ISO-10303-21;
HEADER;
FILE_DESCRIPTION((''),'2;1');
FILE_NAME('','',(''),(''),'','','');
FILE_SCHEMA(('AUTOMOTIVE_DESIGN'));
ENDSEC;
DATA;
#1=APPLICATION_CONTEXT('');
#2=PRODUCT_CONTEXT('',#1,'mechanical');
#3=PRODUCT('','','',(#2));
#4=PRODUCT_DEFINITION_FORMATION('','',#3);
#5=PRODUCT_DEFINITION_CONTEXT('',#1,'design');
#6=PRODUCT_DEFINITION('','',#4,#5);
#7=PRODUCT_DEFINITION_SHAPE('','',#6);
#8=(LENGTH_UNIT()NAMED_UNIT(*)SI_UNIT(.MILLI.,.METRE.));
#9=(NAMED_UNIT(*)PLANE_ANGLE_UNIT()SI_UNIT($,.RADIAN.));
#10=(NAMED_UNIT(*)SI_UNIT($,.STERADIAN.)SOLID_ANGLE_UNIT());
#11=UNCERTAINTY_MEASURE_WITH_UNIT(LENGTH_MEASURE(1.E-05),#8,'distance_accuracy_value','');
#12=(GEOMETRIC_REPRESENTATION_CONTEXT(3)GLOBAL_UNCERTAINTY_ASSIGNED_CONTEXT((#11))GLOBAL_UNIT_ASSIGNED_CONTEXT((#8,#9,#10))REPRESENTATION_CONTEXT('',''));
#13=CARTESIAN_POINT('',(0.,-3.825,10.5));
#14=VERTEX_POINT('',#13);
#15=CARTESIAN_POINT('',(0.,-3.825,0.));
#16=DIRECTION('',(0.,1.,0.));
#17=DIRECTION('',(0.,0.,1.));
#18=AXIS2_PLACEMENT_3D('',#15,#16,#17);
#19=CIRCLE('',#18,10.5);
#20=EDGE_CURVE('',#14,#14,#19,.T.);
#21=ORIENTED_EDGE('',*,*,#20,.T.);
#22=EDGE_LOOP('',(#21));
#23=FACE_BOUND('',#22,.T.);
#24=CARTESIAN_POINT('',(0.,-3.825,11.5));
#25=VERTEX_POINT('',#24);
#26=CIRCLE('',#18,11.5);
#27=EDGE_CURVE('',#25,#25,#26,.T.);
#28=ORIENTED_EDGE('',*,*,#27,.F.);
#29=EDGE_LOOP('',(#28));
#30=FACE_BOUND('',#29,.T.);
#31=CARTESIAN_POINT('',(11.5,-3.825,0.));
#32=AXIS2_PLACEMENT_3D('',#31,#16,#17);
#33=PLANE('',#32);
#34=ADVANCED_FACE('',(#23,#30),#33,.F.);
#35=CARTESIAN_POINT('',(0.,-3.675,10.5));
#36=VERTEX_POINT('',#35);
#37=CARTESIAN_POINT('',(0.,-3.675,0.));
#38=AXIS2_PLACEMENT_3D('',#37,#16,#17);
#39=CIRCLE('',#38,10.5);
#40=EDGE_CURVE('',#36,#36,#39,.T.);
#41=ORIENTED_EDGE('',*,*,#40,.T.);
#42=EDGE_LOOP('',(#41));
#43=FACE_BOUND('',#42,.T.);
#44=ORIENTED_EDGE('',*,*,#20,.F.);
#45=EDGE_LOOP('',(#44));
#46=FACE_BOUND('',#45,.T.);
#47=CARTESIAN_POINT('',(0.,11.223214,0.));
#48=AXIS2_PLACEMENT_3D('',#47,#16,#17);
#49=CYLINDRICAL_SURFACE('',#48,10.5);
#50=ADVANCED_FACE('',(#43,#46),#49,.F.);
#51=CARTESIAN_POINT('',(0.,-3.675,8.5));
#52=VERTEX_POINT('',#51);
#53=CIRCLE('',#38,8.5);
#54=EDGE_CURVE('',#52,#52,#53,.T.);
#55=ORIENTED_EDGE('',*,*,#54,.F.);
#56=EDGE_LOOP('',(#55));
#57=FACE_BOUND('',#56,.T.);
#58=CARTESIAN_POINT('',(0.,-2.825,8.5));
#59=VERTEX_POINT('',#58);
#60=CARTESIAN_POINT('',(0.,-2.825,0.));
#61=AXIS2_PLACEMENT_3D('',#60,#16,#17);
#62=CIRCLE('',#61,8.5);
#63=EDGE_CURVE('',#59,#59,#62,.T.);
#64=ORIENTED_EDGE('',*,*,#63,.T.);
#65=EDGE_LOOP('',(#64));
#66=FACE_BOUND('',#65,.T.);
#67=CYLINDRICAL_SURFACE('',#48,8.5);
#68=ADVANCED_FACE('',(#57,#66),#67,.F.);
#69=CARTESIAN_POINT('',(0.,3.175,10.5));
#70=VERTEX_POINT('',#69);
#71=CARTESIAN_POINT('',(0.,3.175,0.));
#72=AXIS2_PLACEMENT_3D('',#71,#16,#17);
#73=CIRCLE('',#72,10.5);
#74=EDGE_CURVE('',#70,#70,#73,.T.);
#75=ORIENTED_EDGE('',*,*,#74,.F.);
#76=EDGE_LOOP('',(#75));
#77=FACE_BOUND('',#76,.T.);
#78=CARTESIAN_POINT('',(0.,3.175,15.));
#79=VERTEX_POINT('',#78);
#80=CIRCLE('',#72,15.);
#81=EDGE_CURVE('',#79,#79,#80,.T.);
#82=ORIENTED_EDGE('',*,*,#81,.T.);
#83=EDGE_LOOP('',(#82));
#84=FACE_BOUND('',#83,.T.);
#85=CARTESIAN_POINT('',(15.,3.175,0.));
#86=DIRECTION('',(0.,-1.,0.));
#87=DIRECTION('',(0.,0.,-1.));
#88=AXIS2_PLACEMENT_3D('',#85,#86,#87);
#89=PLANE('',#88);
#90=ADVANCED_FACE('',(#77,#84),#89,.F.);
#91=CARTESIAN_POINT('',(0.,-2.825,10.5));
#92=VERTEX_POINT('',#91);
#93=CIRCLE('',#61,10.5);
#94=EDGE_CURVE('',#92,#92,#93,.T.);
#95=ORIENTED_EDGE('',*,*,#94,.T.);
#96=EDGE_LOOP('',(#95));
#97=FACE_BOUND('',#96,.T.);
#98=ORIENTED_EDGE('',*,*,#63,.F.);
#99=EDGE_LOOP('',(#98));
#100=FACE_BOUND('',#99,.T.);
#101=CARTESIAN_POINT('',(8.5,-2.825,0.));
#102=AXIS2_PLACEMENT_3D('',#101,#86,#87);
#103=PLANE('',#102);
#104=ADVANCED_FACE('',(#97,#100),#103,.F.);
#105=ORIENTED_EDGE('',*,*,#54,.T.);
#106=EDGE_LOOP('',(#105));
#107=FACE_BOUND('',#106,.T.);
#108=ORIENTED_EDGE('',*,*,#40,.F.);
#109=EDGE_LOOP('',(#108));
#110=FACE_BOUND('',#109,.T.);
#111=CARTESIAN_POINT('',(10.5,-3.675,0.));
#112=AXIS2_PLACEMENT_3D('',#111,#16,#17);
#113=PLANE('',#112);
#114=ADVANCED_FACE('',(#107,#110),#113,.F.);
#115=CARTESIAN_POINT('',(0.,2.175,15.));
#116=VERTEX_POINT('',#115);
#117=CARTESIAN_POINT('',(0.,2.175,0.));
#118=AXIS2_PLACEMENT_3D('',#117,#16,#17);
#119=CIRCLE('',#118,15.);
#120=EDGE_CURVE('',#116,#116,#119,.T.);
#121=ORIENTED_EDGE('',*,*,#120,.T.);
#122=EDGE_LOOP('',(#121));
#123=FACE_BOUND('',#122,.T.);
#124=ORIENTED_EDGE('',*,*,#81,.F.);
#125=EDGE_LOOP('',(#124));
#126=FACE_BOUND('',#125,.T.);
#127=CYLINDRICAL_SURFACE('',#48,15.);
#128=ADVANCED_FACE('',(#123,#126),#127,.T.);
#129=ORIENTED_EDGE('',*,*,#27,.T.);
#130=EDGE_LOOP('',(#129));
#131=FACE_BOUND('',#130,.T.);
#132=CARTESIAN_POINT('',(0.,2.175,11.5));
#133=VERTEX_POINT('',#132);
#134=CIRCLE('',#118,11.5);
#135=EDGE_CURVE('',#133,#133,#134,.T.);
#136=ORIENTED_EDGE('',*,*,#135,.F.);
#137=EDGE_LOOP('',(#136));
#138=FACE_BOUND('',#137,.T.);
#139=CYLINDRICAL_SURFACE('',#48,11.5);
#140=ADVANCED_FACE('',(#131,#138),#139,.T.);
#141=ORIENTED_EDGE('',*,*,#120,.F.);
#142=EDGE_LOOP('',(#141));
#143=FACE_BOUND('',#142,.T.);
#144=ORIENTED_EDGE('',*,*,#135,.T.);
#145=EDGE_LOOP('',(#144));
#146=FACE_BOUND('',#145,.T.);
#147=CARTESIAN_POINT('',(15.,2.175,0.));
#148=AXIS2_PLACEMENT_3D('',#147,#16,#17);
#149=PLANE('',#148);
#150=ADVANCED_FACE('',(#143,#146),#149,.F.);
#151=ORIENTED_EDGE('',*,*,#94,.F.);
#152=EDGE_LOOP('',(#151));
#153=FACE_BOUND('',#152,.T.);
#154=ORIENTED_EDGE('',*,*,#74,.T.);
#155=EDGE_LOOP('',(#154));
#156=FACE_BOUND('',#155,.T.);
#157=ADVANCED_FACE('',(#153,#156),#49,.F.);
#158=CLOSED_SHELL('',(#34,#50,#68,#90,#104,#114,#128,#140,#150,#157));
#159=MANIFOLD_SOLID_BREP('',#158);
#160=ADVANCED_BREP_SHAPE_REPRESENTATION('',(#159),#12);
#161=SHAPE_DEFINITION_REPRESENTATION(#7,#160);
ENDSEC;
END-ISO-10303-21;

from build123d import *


with BuildPart() as part:
    # Sketch1 → Revolve1 (revolve)
    with BuildSketch(Plane.XY):
        Polygon((15, 3.175), (10.5, 3.175), (10.5, -2.825), (8.5, -2.825), (8.5, -3.675), (10.5, -3.675), (10.5, -3.825), (11.5, -3.825), (11.5, 2.175), (15, 2.175), align=None)
    revolve(axis=Axis((0, 11.223214286, 0), (0, -1, 0)))


solid = part.part
